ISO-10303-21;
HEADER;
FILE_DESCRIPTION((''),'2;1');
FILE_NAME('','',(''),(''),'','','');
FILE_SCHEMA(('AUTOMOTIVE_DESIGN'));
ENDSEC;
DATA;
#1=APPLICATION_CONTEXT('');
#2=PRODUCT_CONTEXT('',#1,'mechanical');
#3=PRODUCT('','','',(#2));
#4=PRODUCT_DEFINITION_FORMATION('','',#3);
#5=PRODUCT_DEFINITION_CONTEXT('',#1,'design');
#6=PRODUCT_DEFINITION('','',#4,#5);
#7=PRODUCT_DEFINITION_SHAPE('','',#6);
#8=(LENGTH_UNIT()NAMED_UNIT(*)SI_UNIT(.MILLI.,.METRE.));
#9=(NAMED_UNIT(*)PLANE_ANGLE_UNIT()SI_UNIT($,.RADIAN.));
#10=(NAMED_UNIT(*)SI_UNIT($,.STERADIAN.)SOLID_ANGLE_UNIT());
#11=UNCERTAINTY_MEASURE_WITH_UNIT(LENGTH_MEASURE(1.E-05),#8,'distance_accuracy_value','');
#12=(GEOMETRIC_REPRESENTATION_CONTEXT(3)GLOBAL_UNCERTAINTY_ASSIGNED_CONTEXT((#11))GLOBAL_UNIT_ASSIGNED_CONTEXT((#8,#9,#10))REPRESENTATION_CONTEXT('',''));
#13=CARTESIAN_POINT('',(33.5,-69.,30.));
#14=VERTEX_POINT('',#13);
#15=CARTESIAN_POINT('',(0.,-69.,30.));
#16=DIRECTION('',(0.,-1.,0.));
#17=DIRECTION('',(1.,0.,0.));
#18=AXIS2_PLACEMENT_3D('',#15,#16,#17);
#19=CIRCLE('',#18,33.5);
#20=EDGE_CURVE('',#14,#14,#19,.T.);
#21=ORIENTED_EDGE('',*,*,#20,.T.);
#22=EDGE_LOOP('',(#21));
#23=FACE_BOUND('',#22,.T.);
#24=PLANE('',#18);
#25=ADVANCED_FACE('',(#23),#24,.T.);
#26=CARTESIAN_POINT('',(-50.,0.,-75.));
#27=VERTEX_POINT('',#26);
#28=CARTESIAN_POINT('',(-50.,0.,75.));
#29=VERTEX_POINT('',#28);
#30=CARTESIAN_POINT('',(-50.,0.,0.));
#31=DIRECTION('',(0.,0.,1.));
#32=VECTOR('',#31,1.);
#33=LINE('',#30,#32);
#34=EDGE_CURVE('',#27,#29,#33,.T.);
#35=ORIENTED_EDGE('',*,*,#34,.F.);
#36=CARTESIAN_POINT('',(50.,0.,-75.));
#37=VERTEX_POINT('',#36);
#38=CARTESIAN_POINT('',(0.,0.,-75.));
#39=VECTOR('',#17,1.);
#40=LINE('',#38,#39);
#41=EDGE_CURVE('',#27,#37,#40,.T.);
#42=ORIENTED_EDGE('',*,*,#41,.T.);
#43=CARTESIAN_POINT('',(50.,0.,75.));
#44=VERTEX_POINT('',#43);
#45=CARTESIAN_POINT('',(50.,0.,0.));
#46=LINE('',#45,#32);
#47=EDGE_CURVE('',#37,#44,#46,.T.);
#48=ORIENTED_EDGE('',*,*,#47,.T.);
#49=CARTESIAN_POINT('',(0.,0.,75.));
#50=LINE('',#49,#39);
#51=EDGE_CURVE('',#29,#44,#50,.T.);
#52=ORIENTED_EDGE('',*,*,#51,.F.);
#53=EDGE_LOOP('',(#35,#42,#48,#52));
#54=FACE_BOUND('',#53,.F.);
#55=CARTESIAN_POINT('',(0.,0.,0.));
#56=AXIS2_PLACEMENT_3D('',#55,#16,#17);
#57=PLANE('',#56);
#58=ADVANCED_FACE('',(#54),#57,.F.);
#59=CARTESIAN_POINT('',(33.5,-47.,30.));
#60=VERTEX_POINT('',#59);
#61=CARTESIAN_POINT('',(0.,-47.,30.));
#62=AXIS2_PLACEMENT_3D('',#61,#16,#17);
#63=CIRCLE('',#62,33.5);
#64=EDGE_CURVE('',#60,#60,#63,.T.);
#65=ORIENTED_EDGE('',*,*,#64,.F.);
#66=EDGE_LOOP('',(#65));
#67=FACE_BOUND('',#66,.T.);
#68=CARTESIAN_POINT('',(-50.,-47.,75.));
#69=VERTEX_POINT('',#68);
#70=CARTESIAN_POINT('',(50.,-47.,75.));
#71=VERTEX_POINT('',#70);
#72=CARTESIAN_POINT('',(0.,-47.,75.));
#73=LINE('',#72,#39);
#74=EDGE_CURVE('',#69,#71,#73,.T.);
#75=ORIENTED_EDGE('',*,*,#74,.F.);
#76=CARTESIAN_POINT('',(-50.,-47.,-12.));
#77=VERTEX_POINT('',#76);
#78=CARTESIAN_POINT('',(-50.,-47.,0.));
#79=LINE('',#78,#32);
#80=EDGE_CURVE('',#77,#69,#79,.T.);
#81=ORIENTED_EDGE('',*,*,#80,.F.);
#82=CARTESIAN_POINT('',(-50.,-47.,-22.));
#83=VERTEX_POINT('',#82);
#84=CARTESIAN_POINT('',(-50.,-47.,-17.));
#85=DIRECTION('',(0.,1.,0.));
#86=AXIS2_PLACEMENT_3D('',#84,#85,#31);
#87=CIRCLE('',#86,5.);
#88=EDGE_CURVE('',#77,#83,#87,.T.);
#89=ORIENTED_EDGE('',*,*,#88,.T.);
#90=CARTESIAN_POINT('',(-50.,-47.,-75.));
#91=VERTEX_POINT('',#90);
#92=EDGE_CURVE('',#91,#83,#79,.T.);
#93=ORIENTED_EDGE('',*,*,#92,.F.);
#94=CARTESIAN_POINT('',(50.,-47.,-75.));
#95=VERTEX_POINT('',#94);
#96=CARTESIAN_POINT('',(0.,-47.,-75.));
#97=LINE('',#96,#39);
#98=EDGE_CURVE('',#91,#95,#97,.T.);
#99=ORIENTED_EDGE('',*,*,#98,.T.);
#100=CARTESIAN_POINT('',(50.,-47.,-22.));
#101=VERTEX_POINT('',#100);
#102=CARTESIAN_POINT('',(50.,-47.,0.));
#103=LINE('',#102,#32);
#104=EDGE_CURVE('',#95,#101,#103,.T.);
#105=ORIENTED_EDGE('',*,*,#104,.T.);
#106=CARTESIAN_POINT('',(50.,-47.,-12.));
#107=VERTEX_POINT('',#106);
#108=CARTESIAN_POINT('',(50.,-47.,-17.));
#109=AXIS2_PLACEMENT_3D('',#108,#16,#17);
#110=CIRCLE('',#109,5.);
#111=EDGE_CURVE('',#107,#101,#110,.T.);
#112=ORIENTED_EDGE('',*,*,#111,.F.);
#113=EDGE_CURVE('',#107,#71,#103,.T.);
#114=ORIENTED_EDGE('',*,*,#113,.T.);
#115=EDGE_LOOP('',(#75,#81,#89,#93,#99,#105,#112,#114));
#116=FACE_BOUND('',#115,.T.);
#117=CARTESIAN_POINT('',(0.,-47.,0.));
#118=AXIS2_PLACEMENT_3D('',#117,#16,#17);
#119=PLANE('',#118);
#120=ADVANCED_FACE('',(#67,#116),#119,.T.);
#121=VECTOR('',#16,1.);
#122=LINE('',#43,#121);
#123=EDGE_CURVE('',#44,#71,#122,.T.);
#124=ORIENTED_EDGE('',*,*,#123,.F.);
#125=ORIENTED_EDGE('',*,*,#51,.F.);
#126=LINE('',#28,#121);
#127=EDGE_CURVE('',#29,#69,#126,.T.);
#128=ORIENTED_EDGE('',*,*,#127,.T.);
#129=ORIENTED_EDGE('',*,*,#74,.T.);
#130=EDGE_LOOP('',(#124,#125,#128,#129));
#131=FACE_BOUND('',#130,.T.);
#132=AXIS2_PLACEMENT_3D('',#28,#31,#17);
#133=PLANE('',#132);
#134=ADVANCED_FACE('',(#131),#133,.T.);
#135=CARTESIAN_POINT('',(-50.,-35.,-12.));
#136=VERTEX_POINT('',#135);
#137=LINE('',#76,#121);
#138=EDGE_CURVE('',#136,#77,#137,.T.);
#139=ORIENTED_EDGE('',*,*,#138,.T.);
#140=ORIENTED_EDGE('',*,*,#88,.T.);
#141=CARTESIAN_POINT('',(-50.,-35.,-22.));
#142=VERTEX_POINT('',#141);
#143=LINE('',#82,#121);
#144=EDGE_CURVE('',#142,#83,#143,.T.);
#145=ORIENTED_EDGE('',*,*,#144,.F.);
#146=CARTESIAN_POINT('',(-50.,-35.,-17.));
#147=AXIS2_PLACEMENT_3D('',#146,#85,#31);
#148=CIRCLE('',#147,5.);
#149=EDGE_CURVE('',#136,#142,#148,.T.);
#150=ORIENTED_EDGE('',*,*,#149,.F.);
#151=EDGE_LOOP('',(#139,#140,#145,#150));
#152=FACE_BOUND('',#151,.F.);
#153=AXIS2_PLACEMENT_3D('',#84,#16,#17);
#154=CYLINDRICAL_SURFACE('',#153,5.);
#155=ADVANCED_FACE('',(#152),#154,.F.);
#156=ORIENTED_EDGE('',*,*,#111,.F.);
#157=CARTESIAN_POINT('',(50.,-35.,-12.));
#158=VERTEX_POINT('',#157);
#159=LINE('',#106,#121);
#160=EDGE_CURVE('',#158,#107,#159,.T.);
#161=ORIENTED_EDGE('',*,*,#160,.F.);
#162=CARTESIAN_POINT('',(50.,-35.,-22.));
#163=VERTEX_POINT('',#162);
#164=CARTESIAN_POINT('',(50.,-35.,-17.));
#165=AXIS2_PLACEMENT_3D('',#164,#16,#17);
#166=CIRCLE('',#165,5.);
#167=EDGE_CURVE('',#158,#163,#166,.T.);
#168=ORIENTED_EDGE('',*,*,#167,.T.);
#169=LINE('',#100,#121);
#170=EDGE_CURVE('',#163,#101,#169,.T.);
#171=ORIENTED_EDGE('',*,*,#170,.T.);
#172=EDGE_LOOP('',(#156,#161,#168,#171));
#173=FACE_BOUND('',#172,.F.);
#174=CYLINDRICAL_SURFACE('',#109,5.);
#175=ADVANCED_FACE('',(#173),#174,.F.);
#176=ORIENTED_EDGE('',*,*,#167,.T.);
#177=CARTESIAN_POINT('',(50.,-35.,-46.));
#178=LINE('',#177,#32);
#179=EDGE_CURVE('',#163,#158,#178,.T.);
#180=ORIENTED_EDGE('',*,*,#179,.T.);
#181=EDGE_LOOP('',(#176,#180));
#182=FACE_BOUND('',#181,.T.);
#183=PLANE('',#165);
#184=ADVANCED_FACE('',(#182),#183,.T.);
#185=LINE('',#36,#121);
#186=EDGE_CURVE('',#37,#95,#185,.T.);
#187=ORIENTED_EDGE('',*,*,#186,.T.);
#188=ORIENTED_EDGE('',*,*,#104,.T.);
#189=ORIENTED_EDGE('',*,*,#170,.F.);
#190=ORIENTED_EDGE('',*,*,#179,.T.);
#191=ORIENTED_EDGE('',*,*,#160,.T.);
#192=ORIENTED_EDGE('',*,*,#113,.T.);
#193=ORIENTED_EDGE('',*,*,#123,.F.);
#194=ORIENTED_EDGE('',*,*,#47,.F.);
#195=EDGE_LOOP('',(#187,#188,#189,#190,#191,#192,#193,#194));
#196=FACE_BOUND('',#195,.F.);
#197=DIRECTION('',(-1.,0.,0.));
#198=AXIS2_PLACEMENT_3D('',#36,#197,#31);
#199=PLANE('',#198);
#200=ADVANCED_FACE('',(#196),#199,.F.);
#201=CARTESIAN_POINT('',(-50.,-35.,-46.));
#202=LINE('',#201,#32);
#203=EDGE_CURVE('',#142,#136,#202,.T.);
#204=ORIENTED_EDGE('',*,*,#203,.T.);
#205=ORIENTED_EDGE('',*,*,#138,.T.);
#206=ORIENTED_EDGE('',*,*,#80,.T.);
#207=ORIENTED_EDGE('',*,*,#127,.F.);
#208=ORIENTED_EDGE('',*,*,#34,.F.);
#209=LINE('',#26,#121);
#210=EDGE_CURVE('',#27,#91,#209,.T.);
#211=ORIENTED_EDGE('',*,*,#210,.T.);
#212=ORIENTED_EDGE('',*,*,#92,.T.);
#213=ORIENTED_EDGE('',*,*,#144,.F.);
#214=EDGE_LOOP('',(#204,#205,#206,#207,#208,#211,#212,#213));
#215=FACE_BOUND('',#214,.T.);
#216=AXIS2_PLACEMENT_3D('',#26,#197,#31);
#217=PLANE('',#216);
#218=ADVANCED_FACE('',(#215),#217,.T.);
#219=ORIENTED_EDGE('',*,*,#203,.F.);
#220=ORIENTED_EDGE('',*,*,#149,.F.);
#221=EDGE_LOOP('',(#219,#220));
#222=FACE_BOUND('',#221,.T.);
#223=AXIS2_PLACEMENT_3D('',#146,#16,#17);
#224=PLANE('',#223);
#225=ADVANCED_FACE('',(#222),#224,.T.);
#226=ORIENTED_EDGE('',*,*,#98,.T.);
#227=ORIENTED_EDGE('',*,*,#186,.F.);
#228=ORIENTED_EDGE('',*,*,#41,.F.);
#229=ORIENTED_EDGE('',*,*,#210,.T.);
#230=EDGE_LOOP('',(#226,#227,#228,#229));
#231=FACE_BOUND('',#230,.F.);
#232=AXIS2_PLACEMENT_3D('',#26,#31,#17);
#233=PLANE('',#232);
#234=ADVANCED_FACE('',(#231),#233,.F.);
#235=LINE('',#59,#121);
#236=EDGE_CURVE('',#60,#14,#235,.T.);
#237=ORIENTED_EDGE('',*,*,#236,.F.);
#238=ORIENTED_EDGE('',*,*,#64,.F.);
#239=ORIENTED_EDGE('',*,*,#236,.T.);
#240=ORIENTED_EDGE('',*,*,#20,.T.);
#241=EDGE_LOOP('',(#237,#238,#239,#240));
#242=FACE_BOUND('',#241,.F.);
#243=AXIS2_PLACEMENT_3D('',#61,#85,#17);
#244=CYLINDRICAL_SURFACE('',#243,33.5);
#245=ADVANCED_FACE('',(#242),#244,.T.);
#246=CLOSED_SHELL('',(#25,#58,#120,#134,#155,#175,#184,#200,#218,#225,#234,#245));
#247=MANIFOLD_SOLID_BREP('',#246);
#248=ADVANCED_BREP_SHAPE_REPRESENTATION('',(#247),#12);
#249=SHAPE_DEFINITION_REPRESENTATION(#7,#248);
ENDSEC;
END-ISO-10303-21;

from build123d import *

# Parameters (mm, degrees)
F0_W     = 100
F0_H     = 150
F1_DEPTH = 47
F2_R     = 33.5
F3_DEPTH = 22
F4_R     = 5
F5_DEPTH = 12


with BuildPart() as f1:
    # F0 (on Front) → F1 (new body)
    with BuildSketch(Plane.XZ):
        Rectangle(F0_W, F0_H)
    extrude(amount=F1_DEPTH)

    # F2 (on face) → F3 (join)
    with BuildSketch(Plane.XZ.offset(47)):
        with Locations((0, 30)):
            Circle(F2_R)
    extrude(amount=F3_DEPTH)

    # F4 (on face) → F5 (cut)
    with BuildSketch(Plane.XZ.offset(47)):
        with Locations((50, -17)):
            Circle(F4_R)
        with Locations((-50, -17)):
            Circle(F4_R)
    extrude(amount=-F5_DEPTH, mode=Mode.SUBTRACT)


solid = f1.part
